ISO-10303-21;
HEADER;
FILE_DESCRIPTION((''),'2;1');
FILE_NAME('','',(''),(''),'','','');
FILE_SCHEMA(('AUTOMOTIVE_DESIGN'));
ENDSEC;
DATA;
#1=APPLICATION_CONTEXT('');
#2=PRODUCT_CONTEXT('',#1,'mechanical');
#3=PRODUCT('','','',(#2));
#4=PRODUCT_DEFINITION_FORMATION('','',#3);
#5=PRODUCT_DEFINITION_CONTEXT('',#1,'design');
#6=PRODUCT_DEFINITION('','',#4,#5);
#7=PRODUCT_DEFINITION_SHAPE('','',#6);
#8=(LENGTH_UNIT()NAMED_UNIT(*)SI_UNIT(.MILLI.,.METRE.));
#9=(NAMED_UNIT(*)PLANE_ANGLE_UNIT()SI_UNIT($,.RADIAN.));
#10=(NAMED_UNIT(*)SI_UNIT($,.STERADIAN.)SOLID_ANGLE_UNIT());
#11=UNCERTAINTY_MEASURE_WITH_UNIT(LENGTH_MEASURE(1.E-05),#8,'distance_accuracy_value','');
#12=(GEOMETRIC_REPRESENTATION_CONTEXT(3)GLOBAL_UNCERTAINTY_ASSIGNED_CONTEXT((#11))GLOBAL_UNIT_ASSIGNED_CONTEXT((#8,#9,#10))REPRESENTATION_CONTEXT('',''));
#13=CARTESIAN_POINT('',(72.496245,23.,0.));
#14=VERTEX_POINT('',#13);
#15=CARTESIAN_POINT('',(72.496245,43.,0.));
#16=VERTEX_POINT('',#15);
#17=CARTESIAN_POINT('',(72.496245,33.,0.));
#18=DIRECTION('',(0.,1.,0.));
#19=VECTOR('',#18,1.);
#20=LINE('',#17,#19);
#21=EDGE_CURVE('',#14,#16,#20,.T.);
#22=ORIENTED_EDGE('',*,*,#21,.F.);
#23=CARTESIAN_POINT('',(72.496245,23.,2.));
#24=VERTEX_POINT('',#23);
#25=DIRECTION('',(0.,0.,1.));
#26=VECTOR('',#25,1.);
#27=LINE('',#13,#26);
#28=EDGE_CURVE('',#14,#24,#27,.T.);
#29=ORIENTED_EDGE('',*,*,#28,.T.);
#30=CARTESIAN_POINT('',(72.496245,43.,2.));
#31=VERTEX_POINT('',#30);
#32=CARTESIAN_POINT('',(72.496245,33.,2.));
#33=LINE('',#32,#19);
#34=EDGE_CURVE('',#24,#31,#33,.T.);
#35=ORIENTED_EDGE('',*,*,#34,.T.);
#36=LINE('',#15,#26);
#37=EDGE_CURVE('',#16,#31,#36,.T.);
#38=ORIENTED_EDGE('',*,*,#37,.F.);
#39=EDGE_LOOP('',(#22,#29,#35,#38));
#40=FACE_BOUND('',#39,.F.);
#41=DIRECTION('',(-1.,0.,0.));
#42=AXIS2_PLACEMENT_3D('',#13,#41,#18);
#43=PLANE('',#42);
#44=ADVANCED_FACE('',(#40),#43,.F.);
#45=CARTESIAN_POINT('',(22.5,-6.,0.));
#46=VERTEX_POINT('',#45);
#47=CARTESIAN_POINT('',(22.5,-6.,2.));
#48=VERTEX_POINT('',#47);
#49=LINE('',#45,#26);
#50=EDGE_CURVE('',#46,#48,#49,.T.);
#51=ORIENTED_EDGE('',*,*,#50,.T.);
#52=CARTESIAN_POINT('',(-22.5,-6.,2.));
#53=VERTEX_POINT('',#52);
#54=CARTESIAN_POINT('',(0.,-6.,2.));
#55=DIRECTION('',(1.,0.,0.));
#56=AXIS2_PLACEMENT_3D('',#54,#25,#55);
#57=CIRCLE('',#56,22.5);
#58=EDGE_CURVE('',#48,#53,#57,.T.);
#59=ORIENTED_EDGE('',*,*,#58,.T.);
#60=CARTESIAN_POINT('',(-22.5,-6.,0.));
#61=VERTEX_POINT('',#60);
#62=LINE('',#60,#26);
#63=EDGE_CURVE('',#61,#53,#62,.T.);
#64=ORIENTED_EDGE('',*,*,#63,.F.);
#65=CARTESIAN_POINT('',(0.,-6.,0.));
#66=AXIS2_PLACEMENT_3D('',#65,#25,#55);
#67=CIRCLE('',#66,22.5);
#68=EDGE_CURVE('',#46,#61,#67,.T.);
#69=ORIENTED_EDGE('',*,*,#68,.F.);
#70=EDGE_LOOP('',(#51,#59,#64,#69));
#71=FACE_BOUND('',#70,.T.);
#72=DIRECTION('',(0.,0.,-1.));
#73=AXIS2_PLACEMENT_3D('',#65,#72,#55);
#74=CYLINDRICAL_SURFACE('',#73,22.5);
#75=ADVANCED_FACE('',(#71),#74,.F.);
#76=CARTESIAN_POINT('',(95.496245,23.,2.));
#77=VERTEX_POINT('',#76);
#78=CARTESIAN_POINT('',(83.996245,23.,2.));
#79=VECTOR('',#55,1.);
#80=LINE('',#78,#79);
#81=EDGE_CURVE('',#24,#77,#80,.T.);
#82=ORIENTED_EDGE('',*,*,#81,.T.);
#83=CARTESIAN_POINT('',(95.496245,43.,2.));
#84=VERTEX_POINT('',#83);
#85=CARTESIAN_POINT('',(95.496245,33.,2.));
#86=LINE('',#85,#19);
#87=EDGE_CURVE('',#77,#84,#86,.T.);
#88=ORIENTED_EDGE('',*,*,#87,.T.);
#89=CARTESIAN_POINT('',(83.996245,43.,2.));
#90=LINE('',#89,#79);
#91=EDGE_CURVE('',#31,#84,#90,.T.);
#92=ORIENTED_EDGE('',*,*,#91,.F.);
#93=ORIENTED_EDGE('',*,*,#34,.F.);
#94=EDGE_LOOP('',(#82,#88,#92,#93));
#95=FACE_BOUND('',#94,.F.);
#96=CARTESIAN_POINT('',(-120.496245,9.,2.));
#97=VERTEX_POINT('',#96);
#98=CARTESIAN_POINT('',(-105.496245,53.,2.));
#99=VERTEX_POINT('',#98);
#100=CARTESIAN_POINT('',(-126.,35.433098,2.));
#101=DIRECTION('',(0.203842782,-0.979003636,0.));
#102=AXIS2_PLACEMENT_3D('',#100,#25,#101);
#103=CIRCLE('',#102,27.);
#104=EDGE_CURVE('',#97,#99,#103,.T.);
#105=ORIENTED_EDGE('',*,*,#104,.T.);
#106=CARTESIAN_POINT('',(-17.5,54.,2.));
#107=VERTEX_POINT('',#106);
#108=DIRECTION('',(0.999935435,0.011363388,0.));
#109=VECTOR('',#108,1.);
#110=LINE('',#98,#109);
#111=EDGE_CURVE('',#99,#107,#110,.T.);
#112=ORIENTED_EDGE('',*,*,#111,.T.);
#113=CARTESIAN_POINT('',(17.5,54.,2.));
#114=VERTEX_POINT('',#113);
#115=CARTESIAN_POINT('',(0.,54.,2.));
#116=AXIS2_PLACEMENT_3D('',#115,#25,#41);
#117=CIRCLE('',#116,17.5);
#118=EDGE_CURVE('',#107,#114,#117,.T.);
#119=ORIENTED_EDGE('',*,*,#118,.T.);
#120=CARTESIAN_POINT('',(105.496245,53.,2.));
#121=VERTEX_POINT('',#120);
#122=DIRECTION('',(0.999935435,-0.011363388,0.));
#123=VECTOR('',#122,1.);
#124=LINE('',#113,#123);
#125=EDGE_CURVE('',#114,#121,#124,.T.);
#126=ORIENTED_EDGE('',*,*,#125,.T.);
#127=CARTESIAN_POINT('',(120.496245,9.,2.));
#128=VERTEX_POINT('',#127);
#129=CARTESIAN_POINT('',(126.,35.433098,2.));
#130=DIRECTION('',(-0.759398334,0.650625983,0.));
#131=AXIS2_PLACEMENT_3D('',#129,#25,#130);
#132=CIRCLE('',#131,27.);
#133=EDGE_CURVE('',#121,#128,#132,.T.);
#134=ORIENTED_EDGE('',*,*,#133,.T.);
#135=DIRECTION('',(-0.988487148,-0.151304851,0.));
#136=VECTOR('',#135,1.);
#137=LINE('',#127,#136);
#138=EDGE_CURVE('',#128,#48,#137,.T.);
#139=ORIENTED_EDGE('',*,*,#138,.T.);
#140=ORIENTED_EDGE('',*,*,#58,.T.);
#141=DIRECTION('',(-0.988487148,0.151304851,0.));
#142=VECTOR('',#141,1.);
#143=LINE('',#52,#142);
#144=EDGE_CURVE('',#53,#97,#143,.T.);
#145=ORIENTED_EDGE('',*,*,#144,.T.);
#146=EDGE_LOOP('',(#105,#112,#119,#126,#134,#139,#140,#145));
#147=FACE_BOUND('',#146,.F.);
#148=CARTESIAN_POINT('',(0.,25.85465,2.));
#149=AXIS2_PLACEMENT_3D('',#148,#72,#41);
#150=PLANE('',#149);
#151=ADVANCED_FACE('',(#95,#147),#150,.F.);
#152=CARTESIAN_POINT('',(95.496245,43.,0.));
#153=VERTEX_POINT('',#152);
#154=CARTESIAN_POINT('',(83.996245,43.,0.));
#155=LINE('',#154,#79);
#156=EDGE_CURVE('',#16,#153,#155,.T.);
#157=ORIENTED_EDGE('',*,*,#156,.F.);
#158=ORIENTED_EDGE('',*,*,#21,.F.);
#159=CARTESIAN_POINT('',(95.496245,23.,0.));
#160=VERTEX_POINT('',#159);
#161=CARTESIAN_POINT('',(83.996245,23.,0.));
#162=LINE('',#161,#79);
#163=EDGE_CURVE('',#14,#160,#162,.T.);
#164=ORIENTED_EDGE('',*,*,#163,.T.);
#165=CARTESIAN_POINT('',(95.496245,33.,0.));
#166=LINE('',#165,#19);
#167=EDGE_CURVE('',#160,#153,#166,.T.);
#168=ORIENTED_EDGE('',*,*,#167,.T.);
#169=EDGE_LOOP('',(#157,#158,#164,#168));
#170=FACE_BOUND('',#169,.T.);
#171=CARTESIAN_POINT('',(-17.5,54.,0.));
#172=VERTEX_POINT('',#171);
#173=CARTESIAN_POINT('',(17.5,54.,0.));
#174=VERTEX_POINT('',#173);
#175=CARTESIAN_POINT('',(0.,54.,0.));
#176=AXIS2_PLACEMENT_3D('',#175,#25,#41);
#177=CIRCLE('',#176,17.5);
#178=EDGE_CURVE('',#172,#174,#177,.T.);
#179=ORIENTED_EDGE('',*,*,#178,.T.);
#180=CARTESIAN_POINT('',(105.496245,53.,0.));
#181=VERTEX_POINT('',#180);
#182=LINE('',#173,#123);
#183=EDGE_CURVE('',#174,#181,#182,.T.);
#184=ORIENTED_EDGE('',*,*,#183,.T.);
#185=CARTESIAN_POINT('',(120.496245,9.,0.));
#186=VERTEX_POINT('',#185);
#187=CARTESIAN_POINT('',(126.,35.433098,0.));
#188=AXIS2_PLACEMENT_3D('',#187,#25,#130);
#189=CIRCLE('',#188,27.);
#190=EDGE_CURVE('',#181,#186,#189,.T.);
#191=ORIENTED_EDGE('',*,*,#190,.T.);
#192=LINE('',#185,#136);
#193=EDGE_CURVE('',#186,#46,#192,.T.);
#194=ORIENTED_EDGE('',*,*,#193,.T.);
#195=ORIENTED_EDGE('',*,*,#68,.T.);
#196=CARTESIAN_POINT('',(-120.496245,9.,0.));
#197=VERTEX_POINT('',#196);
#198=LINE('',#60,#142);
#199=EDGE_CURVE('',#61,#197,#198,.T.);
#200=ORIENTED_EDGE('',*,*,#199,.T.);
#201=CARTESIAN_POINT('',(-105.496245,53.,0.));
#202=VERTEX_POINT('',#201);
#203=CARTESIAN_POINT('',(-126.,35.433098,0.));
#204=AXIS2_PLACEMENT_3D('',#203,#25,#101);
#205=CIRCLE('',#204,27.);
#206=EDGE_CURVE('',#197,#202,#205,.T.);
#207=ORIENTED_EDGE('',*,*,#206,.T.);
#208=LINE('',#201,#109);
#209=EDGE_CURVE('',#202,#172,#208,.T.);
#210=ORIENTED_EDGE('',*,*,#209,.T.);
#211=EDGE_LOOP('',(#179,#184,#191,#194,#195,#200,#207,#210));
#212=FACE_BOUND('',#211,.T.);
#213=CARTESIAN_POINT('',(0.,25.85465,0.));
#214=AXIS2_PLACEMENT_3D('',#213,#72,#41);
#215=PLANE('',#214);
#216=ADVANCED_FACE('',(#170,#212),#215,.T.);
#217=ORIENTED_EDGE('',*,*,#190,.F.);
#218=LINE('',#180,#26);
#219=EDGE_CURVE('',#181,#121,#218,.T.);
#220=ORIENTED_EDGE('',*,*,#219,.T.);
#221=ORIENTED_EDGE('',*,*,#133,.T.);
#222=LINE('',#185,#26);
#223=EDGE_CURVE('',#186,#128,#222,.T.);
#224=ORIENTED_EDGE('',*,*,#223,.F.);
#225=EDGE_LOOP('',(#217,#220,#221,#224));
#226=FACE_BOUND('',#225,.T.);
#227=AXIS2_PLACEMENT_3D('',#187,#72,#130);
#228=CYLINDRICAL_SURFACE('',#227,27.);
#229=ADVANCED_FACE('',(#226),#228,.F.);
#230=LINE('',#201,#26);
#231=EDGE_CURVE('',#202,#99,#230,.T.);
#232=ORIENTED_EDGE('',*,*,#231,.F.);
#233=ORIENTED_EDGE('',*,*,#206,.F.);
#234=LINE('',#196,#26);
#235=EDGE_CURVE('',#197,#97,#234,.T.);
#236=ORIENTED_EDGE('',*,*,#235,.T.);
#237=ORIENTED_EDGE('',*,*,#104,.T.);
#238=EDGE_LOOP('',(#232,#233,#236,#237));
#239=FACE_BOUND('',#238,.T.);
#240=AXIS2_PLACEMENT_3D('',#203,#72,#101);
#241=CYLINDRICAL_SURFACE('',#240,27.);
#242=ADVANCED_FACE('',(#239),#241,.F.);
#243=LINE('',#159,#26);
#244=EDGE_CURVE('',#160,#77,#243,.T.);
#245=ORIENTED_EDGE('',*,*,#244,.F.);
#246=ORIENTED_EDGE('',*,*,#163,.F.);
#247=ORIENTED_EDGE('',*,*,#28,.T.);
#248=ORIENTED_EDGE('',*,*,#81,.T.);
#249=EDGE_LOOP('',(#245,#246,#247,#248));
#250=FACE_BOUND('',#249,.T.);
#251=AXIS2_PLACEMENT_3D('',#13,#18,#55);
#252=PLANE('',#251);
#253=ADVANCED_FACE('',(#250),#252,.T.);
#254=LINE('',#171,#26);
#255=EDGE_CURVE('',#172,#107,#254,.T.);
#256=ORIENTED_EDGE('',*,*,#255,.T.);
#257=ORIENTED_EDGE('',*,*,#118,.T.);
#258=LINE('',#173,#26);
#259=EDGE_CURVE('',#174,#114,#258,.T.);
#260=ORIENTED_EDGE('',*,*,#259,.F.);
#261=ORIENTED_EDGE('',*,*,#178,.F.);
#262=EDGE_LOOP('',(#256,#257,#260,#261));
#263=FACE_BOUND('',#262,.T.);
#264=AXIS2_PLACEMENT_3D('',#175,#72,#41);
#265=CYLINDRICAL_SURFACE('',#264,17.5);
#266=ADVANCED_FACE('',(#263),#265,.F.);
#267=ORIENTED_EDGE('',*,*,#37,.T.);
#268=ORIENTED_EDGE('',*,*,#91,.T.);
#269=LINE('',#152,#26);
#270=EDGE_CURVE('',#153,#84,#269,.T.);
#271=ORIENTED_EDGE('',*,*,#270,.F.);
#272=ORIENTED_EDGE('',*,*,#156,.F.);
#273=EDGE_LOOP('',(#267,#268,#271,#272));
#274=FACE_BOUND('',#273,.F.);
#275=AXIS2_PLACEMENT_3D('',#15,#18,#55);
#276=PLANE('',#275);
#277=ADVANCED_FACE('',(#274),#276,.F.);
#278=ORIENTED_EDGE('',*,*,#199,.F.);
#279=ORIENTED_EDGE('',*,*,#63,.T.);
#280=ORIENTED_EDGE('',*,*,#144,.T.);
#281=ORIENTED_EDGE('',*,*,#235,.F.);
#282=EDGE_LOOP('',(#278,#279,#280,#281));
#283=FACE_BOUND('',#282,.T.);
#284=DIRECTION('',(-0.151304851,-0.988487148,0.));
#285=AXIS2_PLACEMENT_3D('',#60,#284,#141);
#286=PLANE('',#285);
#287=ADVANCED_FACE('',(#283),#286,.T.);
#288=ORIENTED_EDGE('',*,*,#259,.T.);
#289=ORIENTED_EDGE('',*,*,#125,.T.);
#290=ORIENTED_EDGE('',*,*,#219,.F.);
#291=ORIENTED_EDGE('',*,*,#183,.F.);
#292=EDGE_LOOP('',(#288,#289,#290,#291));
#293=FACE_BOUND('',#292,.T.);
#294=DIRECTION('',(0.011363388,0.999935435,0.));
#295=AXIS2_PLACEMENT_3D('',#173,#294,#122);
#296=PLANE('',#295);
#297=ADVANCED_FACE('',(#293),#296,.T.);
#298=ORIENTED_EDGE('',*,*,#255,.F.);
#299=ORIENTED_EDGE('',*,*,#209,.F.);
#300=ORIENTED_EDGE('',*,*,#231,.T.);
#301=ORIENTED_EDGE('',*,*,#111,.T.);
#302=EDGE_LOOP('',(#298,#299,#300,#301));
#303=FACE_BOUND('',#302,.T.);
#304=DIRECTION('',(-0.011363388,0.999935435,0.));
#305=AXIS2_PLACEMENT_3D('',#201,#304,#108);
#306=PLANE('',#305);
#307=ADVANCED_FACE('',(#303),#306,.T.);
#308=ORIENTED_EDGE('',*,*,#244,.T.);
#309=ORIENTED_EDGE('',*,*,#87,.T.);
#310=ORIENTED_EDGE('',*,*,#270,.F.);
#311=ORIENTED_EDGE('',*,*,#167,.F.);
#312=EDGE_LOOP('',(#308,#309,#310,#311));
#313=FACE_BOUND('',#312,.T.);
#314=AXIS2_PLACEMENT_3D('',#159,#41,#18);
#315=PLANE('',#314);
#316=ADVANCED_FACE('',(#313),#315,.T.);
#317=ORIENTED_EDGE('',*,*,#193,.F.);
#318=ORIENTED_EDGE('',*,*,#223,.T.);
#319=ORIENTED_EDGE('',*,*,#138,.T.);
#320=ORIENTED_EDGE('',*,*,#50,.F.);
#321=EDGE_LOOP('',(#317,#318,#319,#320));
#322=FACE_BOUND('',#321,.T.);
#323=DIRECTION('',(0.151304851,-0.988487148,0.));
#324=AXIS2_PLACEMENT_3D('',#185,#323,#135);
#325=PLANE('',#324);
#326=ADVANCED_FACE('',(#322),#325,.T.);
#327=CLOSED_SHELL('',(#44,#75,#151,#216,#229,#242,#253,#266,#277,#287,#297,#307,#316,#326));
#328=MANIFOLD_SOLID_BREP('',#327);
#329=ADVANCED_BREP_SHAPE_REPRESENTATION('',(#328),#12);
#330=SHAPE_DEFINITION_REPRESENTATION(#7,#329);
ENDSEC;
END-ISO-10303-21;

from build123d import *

# Parameters (mm, degrees)
SKETCH_W  = 23
SKETCH_H  = 20
PAD_DEPTH = 2


with BuildPart() as part:
    # Sketch → Pad (new body)
    with BuildSketch(Plane.XY):
        with BuildLine():
            Line((-105.496245, 53), (-17.5, 54))
            ThreePointArc((-17.5, 54), (0, 36.5), (17.5, 54))
            Line((17.5, 54), (105.496245, 53))
            ThreePointArc((105.496245, 53), (100.444225, 26.720902), (120.496245, 9))
            Line((120.496245, 9), (22.5, -6))
            ThreePointArc((22.5, -6), (0, 16.5), (-22.5, -6))
            Line((-22.5, -6), (-120.496245, 9))
            ThreePointArc((-120.496245, 9), (-100.444225, 26.720902), (-105.496245, 53))
        make_face()
        with Locations((83.996245, 33)):
            Rectangle(SKETCH_W, SKETCH_H, mode=Mode.SUBTRACT)
    extrude(amount=PAD_DEPTH)


solid = part.part
